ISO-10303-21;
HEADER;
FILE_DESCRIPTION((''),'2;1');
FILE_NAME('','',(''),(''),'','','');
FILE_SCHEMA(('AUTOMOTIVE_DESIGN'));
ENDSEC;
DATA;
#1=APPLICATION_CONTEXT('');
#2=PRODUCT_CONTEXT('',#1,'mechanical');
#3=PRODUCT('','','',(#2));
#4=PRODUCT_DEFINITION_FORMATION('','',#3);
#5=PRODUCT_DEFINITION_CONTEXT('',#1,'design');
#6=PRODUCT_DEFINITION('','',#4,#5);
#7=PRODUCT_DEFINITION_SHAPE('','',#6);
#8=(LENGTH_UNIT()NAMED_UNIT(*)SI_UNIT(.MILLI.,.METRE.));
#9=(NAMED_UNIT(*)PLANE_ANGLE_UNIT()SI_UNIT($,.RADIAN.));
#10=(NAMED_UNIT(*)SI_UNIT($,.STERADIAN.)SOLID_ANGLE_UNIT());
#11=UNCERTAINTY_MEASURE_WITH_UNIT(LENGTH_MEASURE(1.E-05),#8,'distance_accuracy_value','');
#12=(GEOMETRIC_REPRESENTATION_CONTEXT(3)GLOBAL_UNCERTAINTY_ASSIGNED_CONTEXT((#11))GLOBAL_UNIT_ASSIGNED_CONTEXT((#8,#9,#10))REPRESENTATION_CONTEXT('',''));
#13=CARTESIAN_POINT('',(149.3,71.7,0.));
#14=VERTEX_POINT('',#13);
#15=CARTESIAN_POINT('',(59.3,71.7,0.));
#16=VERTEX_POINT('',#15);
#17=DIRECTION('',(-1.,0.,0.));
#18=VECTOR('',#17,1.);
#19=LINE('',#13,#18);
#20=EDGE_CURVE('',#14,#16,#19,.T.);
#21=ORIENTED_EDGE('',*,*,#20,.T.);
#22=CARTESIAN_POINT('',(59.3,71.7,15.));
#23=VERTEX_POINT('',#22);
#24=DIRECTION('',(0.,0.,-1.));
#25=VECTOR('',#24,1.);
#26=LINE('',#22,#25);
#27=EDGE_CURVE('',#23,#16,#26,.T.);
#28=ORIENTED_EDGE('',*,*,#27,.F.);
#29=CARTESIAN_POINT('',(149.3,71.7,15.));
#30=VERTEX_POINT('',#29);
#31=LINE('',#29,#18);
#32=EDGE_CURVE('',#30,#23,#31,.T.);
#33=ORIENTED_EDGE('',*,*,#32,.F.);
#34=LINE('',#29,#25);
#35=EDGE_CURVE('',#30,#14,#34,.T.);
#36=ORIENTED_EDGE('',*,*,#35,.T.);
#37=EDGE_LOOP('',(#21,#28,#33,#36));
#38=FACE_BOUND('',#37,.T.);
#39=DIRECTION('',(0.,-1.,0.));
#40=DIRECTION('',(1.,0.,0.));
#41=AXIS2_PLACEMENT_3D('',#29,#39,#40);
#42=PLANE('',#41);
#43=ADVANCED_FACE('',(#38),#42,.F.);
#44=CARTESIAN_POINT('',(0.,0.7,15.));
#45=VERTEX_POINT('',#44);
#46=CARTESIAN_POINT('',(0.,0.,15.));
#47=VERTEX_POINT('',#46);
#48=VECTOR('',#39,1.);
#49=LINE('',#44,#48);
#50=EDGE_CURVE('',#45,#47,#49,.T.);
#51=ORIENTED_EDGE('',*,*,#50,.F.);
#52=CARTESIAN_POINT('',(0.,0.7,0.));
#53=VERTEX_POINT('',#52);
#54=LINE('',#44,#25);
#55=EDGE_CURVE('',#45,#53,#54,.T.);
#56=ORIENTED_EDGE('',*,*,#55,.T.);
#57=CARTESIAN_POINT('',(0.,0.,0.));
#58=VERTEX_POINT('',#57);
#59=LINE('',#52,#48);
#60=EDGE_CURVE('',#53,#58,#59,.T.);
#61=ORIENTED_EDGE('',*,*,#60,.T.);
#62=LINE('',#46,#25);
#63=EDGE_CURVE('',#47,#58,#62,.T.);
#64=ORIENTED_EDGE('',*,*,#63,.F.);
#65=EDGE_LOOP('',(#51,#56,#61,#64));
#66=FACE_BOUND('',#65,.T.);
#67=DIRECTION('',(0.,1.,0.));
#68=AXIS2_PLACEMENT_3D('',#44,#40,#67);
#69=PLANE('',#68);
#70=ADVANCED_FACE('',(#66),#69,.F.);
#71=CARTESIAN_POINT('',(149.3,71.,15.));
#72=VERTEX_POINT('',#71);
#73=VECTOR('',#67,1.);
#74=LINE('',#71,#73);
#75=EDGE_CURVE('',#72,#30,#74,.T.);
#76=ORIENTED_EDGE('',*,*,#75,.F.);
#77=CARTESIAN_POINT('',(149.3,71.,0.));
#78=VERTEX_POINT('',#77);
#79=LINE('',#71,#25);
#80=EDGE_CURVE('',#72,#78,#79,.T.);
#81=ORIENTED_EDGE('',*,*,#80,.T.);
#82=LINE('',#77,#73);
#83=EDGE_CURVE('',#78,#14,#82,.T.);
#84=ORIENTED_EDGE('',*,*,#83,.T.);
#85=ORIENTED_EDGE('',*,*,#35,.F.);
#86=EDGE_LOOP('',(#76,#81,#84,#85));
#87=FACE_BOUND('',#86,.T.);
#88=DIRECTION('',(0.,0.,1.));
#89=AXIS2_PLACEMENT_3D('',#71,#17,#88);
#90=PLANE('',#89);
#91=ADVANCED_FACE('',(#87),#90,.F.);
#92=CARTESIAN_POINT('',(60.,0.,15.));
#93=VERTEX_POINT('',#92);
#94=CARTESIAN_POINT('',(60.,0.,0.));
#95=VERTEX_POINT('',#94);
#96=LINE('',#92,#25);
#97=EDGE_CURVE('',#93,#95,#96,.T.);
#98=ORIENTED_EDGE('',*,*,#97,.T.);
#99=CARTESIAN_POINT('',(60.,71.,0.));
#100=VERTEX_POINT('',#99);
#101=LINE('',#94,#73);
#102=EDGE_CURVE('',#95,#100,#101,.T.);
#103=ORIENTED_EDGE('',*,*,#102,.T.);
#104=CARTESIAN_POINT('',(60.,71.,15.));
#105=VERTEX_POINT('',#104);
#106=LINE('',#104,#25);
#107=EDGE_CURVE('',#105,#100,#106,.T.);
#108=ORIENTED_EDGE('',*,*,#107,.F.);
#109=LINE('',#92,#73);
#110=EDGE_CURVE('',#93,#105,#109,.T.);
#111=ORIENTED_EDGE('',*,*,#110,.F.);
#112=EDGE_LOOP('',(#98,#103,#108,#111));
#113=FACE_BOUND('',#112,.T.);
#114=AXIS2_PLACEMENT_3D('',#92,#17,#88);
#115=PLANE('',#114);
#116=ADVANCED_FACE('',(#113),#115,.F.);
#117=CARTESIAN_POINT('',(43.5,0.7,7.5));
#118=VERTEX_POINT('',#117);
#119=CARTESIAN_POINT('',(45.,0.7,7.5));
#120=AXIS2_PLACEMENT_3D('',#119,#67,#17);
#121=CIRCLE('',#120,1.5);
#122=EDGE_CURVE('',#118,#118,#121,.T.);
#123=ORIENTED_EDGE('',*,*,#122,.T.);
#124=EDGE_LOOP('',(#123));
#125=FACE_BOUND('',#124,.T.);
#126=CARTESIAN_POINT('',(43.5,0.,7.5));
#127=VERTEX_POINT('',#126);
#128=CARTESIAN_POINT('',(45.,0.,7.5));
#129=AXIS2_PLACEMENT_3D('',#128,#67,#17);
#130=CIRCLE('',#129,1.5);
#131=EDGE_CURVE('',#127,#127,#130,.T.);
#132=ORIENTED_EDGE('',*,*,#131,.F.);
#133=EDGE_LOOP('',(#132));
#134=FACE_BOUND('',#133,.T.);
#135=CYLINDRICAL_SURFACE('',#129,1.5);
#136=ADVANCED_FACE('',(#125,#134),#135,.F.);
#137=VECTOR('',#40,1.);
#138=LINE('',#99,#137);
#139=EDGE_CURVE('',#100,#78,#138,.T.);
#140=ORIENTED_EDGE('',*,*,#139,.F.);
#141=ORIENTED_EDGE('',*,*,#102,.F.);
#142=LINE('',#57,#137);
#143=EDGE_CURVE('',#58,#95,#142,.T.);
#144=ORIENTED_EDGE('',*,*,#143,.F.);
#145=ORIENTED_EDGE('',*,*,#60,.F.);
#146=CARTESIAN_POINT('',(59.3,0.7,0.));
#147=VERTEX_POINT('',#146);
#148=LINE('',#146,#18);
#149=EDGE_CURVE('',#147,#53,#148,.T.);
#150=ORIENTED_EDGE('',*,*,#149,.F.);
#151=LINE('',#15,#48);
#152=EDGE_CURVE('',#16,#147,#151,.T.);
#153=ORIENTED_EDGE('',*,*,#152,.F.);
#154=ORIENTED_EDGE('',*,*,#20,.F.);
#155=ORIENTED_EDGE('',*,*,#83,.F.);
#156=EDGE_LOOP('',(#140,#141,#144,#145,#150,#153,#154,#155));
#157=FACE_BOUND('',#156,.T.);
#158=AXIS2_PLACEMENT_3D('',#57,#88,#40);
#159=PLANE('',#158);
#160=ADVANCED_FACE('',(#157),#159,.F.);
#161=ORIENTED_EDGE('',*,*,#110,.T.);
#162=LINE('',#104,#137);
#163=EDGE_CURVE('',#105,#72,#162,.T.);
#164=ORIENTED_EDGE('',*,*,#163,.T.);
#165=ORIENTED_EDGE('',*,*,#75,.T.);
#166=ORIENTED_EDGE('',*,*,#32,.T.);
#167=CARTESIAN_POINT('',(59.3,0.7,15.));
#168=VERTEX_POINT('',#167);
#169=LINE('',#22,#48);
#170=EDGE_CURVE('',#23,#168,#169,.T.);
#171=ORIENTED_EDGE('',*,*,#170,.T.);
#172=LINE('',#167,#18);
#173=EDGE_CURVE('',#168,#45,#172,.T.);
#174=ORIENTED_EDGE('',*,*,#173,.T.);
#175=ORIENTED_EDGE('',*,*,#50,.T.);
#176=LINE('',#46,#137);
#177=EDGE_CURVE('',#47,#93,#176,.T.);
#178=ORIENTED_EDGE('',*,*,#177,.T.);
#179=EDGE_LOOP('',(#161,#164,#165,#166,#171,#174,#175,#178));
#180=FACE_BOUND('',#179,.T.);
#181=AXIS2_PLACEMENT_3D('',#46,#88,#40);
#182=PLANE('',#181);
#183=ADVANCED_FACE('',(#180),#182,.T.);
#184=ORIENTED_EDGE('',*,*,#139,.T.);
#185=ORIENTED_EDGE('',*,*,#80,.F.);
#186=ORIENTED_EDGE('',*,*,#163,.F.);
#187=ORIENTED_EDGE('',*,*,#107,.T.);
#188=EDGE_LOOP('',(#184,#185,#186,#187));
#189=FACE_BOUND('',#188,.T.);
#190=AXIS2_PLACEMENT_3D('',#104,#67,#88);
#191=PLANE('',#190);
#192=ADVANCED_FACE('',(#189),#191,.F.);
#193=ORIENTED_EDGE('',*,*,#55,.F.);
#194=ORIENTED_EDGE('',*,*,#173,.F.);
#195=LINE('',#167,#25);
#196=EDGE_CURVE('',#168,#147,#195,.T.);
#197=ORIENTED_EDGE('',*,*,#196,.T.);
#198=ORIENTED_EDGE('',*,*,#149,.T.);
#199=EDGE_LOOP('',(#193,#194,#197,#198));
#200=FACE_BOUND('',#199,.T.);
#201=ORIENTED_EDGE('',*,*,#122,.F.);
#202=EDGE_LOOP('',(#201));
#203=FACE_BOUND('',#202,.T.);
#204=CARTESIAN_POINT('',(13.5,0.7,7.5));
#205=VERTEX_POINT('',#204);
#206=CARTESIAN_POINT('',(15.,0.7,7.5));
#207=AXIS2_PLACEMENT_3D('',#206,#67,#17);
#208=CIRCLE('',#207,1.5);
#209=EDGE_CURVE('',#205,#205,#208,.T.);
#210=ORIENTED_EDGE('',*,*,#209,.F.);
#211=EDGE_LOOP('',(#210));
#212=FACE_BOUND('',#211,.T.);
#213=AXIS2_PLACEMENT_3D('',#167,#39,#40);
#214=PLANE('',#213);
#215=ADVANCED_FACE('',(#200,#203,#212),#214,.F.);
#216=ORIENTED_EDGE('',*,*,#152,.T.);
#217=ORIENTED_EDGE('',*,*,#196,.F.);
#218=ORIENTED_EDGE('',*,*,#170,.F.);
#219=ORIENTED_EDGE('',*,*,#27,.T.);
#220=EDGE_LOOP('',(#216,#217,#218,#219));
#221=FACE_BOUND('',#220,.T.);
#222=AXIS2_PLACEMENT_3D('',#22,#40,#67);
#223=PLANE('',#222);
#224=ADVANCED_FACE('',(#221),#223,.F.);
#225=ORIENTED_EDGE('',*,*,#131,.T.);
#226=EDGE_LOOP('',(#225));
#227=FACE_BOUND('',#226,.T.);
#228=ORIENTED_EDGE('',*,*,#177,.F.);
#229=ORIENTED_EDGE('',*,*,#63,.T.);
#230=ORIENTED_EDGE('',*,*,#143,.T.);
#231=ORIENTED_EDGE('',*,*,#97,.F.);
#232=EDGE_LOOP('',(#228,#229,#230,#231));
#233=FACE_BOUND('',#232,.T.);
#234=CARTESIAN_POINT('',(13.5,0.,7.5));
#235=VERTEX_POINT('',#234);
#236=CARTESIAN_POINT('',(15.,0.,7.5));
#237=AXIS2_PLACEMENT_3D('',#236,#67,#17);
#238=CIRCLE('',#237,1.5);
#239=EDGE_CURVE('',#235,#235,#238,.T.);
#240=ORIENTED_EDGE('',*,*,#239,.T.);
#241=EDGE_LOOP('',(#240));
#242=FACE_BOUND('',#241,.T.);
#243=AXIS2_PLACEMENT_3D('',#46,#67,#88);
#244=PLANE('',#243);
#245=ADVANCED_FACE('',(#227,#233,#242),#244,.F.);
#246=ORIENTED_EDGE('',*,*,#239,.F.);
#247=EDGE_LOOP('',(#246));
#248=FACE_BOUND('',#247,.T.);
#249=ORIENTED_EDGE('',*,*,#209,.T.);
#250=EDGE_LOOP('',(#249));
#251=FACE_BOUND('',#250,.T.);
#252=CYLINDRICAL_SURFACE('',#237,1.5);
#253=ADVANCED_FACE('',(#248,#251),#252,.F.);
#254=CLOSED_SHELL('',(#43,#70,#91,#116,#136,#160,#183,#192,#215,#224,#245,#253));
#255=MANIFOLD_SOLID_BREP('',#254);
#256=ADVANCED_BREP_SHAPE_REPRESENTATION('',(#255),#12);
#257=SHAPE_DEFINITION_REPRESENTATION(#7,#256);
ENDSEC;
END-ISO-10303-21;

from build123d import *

# Parameters (mm, degrees)
BOSS_EXTRUDE1_DEPTH = 15
SKETCH2_R           = 1.5
CUT_EXTRUDE1_DEPTH  = 167.001475897


with BuildPart() as part:
    # Sketch1 → Boss-Extrude1 (new body)
    with BuildSketch(Plane.XY):
        Polygon((0, 0), (60, 0), (60, 71), (149.3, 71), (149.3, 71.7), (59.3, 71.7), (59.3, 0.7), (0, 0.7), align=None)
    extrude(amount=BOSS_EXTRUDE1_DEPTH)

    # Sketch2 → Cut-Extrude1 (cut, through all)
    with BuildSketch(Plane(origin=(0, 0.7, 0), x_dir=(1, 0, 0), z_dir=(0, 1, 0))):
        with Locations(Location((15, -7.5, 0), (0, 0, 180))):
            Circle(SKETCH2_R)
        with Locations(Location((45, -7.5, 0), (0, 0, 180))):
            Circle(SKETCH2_R)
    extrude(amount=-CUT_EXTRUDE1_DEPTH, mode=Mode.SUBTRACT)


solid = part.part
